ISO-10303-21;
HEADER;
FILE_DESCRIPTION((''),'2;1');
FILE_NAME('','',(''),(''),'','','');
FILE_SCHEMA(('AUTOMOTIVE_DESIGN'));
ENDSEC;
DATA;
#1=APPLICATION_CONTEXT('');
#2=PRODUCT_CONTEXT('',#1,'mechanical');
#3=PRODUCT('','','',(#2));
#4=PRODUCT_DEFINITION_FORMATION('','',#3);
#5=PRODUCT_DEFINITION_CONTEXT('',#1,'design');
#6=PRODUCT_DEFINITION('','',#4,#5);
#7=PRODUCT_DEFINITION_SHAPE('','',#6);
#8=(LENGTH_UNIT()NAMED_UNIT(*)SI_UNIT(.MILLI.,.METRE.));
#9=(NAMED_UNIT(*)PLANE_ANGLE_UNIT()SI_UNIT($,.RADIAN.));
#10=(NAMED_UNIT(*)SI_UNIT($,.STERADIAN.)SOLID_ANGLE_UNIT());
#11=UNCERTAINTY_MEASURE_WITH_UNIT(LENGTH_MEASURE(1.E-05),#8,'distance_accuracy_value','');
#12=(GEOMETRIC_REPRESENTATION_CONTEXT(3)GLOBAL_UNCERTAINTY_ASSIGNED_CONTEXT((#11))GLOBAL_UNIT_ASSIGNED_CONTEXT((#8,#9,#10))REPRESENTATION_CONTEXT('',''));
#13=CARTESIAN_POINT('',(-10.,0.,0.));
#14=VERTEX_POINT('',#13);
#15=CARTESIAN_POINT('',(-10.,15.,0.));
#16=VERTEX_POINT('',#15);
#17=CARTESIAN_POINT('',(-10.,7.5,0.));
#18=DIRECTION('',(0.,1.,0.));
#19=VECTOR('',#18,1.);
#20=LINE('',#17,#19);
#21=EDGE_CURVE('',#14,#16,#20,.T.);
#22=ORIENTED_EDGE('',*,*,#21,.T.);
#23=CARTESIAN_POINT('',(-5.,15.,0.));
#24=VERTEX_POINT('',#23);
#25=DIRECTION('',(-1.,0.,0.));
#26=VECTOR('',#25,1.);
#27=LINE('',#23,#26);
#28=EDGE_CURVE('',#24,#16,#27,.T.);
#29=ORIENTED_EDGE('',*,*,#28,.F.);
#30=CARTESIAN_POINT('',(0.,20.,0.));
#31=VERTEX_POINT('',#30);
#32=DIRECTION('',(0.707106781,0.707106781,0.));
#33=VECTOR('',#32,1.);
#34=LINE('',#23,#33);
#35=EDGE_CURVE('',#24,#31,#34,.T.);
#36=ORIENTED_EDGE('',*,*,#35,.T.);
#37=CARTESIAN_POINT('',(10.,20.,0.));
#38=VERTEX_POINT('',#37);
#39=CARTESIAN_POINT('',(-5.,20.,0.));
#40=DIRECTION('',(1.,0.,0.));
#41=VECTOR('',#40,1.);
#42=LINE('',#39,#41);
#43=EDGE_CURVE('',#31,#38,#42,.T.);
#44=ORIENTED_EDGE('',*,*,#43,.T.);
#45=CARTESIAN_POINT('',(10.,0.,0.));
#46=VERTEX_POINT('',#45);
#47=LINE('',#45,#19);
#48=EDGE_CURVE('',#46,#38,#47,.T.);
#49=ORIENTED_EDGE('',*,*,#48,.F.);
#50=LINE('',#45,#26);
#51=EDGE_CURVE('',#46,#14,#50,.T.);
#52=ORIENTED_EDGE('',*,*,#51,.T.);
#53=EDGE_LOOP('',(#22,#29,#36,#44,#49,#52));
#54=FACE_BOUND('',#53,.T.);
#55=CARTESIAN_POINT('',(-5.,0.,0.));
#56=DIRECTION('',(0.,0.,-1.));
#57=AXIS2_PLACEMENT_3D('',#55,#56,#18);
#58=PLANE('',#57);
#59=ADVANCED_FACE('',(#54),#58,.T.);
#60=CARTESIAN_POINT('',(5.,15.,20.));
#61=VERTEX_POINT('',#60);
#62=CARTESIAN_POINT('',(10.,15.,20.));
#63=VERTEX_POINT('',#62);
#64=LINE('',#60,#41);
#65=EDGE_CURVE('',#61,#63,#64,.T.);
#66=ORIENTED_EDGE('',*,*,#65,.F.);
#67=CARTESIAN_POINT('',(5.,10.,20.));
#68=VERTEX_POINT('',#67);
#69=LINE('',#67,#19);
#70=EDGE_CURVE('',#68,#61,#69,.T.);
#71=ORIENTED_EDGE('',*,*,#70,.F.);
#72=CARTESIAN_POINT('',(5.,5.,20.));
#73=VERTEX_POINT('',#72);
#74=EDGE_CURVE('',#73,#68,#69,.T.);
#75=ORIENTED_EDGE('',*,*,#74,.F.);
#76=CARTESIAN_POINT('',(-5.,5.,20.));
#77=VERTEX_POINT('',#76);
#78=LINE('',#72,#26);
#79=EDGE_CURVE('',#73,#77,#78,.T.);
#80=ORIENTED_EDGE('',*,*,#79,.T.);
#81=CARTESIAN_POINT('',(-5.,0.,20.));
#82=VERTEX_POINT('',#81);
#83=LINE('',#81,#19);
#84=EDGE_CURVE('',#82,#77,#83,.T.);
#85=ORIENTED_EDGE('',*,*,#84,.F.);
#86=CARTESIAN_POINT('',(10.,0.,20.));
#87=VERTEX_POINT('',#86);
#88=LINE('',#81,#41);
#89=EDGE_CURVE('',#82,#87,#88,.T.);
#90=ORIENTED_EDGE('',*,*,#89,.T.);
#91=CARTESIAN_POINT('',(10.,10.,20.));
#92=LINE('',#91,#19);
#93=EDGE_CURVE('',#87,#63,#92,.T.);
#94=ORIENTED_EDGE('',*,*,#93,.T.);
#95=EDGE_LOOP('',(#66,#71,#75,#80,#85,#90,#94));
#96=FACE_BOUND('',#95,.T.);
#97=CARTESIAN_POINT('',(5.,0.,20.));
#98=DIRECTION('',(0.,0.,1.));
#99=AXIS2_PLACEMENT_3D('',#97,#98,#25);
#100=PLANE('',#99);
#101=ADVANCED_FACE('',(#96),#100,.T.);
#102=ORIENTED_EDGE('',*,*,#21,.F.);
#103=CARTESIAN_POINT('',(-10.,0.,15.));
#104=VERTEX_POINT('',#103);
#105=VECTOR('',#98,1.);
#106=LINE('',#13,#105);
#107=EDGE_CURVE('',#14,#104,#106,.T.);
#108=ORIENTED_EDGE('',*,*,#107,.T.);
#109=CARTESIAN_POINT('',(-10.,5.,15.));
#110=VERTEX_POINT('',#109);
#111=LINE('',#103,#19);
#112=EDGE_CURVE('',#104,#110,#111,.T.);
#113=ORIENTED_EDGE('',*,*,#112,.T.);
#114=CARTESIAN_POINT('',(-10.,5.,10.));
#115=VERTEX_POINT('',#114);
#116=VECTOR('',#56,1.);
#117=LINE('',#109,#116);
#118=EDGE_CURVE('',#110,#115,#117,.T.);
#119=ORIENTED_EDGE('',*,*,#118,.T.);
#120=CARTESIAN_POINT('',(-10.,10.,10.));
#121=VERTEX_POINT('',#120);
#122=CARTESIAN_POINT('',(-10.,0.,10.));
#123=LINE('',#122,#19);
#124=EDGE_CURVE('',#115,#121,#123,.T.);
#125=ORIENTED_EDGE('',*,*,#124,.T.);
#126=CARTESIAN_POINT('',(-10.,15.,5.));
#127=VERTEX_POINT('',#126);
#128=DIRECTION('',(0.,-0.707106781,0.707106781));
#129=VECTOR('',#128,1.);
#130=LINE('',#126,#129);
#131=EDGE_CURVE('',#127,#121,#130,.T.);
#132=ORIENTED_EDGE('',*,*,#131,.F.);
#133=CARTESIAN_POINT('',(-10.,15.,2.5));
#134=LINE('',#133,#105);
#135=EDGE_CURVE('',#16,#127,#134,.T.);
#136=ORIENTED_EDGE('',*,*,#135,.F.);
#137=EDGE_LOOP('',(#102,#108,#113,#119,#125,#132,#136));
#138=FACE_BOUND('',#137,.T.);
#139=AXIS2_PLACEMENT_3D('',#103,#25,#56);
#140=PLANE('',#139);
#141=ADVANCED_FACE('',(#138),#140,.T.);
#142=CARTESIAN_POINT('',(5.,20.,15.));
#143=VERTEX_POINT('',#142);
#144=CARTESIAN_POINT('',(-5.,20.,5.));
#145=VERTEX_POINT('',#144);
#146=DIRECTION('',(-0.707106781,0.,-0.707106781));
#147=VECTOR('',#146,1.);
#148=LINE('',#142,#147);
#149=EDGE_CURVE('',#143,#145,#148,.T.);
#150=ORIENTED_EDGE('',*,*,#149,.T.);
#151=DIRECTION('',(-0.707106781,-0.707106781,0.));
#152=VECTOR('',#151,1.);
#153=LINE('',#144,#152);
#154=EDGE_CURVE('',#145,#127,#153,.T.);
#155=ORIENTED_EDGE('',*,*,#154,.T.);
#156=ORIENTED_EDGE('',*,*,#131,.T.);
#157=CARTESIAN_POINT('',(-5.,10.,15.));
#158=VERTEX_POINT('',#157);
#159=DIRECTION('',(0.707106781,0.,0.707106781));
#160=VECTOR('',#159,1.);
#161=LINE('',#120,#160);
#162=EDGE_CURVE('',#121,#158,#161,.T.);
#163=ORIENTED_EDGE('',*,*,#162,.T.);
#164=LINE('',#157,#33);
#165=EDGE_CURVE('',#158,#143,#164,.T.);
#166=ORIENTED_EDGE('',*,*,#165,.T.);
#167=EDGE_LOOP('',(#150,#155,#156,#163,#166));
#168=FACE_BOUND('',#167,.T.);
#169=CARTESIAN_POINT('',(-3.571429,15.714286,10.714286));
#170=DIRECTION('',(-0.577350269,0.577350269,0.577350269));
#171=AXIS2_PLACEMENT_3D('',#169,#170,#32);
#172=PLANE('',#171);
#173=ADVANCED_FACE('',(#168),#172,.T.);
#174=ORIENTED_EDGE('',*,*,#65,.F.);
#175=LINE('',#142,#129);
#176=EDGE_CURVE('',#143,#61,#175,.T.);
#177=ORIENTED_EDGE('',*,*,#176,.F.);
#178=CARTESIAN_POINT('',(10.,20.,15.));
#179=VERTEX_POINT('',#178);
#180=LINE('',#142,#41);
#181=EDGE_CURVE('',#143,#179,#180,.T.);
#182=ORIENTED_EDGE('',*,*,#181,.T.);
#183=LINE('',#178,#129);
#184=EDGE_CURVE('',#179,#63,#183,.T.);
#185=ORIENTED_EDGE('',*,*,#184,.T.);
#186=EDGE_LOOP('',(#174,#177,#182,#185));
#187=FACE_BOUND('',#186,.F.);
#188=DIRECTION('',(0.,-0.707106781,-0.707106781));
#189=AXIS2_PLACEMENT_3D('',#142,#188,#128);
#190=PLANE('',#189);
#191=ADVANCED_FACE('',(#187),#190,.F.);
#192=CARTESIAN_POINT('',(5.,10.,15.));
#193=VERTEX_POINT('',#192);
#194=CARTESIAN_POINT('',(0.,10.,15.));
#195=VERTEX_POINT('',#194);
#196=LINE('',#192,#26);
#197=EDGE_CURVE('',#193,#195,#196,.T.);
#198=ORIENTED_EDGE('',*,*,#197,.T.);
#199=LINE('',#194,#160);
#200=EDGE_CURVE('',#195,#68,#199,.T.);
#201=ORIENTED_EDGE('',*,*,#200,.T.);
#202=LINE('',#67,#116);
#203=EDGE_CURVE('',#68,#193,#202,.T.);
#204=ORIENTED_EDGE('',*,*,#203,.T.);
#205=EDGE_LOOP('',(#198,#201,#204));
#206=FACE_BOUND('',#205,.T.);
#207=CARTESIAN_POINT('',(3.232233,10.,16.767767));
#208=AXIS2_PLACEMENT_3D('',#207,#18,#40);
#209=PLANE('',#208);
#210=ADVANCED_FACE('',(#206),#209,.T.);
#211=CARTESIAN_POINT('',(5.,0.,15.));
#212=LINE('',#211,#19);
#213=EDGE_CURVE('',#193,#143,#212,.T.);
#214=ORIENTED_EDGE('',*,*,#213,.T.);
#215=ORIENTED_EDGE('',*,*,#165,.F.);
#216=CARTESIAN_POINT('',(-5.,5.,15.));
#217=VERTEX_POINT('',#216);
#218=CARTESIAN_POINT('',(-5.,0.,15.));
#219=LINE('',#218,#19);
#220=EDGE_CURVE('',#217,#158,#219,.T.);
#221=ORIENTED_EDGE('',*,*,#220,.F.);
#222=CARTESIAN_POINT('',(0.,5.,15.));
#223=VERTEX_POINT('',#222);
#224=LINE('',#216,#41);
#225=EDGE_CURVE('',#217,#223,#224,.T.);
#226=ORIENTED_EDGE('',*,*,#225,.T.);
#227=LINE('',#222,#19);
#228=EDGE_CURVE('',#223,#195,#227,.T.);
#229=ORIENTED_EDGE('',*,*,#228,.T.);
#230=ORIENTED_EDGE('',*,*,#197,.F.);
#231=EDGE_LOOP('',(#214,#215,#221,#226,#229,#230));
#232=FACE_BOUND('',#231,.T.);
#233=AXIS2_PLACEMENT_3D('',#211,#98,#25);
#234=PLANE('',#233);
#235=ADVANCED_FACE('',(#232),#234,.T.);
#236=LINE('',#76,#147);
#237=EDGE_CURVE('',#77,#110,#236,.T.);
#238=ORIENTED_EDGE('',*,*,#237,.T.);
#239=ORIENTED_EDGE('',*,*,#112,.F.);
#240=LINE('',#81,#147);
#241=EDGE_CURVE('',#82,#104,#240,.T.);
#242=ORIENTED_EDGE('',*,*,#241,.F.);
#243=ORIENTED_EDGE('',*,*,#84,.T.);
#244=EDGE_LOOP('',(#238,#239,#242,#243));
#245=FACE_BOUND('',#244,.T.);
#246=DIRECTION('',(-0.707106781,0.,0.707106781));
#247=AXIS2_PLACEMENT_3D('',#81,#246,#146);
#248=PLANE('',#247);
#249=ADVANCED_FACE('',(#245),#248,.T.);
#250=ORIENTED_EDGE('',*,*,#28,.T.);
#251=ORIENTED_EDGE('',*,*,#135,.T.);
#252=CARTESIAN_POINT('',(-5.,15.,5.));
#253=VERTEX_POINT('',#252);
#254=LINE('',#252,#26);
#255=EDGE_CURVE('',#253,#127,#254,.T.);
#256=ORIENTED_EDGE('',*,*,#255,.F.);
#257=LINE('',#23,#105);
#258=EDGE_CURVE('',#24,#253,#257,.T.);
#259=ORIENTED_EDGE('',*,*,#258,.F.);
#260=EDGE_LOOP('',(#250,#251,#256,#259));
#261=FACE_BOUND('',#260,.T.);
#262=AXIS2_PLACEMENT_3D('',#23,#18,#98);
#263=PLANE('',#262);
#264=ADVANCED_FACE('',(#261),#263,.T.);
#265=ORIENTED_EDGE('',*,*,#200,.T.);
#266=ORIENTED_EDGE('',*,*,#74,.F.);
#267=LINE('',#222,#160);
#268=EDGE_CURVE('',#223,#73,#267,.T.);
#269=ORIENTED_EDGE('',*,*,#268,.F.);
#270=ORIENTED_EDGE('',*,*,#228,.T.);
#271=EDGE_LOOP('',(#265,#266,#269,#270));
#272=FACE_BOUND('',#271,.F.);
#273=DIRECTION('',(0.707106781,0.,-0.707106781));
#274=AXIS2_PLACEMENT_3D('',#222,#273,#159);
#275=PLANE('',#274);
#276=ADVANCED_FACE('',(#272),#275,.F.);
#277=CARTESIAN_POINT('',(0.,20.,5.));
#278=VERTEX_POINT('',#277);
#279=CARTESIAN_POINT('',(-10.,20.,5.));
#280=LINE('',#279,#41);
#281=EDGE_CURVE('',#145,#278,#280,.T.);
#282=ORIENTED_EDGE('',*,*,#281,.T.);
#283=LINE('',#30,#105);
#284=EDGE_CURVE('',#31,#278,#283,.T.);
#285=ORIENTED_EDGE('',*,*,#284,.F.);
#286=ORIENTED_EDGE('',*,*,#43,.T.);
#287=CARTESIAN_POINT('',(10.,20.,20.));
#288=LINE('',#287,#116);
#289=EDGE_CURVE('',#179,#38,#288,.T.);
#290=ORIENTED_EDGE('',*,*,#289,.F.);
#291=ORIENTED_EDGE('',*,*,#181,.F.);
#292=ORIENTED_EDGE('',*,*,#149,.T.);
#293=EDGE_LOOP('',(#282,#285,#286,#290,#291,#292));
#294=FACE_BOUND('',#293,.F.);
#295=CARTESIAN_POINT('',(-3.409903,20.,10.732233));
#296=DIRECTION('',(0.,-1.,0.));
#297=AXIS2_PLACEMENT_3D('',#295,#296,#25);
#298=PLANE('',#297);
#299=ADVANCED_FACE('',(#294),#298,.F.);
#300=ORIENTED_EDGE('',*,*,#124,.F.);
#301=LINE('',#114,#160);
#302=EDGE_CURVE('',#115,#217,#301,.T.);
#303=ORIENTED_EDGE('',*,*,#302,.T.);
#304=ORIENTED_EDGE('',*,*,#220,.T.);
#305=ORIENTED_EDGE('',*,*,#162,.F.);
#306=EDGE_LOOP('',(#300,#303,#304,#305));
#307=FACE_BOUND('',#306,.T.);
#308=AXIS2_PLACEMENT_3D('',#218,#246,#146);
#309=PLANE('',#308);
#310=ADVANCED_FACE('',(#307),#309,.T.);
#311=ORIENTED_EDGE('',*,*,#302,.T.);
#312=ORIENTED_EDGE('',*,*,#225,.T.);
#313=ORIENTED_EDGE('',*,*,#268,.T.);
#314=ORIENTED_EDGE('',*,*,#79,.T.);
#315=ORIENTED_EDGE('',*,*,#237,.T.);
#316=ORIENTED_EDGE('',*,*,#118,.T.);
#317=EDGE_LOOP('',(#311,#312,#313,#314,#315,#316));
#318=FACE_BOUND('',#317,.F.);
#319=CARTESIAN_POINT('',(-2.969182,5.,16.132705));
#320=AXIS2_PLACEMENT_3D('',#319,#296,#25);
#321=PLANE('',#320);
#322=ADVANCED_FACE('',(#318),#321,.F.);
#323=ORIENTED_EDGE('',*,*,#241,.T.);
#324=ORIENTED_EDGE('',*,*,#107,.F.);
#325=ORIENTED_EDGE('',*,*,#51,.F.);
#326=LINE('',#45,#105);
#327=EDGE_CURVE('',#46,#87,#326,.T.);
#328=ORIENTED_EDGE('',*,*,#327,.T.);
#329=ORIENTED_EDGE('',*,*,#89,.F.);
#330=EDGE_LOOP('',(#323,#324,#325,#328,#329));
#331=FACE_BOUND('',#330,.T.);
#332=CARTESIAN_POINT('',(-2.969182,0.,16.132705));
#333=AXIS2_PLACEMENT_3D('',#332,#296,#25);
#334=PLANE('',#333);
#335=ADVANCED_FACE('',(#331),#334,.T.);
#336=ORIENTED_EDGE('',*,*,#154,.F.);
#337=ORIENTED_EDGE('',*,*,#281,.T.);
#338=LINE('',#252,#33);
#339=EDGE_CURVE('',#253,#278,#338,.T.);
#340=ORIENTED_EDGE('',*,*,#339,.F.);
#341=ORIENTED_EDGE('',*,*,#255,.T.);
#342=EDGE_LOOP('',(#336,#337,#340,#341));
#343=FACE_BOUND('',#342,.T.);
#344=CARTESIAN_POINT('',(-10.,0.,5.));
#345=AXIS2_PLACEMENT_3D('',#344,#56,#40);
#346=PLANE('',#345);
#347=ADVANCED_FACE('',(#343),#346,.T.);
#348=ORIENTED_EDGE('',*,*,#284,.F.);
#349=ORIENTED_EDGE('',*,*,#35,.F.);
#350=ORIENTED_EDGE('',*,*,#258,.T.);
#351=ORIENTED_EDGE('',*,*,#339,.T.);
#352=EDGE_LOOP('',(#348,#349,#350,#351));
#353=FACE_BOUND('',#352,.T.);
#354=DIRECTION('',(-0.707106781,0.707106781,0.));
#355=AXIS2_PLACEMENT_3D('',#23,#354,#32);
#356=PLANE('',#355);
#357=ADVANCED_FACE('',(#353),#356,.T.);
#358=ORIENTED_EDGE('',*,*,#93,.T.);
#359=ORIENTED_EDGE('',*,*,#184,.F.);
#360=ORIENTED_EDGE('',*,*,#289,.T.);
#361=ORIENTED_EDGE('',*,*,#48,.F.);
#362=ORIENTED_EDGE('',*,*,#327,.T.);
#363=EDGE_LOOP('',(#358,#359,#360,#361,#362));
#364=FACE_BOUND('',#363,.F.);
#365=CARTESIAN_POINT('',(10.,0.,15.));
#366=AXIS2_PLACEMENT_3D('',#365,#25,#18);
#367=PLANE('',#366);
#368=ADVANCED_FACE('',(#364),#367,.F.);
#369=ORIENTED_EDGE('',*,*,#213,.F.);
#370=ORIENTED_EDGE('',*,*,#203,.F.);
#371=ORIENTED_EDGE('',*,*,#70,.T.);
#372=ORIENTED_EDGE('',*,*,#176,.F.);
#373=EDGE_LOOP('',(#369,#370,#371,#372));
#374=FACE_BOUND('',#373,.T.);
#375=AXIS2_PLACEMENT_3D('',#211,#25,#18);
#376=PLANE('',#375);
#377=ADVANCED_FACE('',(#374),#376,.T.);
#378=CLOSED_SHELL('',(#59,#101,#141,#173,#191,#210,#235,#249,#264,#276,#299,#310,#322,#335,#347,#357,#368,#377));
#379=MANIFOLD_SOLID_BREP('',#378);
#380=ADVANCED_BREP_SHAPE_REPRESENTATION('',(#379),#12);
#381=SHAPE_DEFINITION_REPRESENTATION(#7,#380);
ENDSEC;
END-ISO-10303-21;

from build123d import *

# Parameters (mm, degrees)
BOSS_EXTRUDE2_DEPTH = 20
SKETCH3_W           = 5
SKETCH3_H           = 20
BOSS_EXTRUDE4_DEPTH = 5
CUT_EXTRUDE1_DEPTH  = 5
SKETCH5_W           = 5
SKETCH5_H           = 20
BOSS_EXTRUDE5_DEPTH = 5
CUT_EXTRUDE2_DEPTH  = 5
SKETCH7_W           = 5
SKETCH7_H           = 15
BOSS_EXTRUDE6_DEPTH = 5
BOSS_EXTRUDE7_DEPTH = 20
CUT_EXTRUDE3_DEPTH  = 20
BOSS_EXTRUDE8_DEPTH = 5
BOSS_EXTRUDE9_DEPTH = 5


with BuildPart() as part:
    # Sketch2 → Boss-Extrude2 (new body)
    with BuildSketch(Plane(origin=(0, 0, 0), x_dir=(1, 0, 0), z_dir=(0, 1, 0))):
        Polygon((0, 0), (10, 0), (10, -15), (5, -15), (-5, -5), (0, -5), align=None)
    extrude(amount=BOSS_EXTRUDE2_DEPTH)

    # Sketch3 → Boss-Extrude4 (add)
    with BuildSketch(Plane.XY.offset(15)):
        with Locations((7.5, 10)):
            Rectangle(SKETCH3_W, SKETCH3_H)
    extrude(amount=BOSS_EXTRUDE4_DEPTH)

    # Sketch4 → Cut-Extrude1 (cut)
    with BuildSketch(Plane.ZY.offset(-5)):
        Polygon((15, 20), (20, 15), (20, 20), align=None)
    extrude(amount=-CUT_EXTRUDE1_DEPTH, mode=Mode.SUBTRACT)

    # Sketch5 → Boss-Extrude5 (add)
    with BuildSketch(Plane.ZY):
        with Locations((2.5, 10)):
            Rectangle(SKETCH5_W, SKETCH5_H)
    extrude(amount=BOSS_EXTRUDE5_DEPTH)

    # Sketch6 → Cut-Extrude2 (cut)
    with BuildSketch(Plane(origin=(0, 0, 0), x_dir=(-1, 0, 0), z_dir=(0, 0, -1))):
        Polygon((0, 20), (5, 20), (5, 15), align=None)
    extrude(amount=-CUT_EXTRUDE2_DEPTH, mode=Mode.SUBTRACT)

    # Sketch7 → Boss-Extrude6 (add)
    with BuildSketch(Plane.ZY.offset(5)):
        with Locations((2.5, 7.5)):
            Rectangle(SKETCH7_W, SKETCH7_H)
    extrude(amount=BOSS_EXTRUDE6_DEPTH)

    # Sketch8 → Boss-Extrude7 (add)
    with BuildSketch(Plane(origin=(0, 0, 0), x_dir=(-1, 0, 0), z_dir=(0, -1, 0))):
        Polygon((10, -5), (5, -5), (-5, -15), (5, -15), (10, -10), align=None)
    extrude(amount=-BOSS_EXTRUDE7_DEPTH)

    # 3DSketch1 → Cut-Extrude3 (cut, along a direction that is not the sketch's normal)
    with BuildSketch(Plane(origin=(-5, 10, 15), x_dir=(0.7071067811865476, 0.7071067811865476, 0), z_dir=(-0.5773502691896257, 0.5773502691896257, 0.577350269189626))):
        Polygon((0, 0), (14.142135624, 0), (7.071067812, 12.247448714), (0, 12.247448714), (-3.535533906, 6.123724357), align=None)
    extrude(amount=CUT_EXTRUDE3_DEPTH, dir=(0, 1, 0), mode=Mode.SUBTRACT)

    # Sketch9 → Boss-Extrude8 (add)
    with BuildSketch(Plane(origin=(0, 0, 0), x_dir=(-1, 0, 0), z_dir=(0, -1, 0))):
        Polygon((5, -20), (10, -15), (10, -10), (5, -15), (-5, -15), (-5, -20), align=None)
    extrude(amount=-BOSS_EXTRUDE8_DEPTH)

    # Sketch10 → Boss-Extrude9 (add)
    with BuildSketch(Plane(origin=(0, 5, 0), x_dir=(1, 0, 0), z_dir=(0, 1, 0))):
        Polygon((0, -15), (5, -20), (5, -15), align=None)
    extrude(amount=BOSS_EXTRUDE9_DEPTH)


solid = part.part
